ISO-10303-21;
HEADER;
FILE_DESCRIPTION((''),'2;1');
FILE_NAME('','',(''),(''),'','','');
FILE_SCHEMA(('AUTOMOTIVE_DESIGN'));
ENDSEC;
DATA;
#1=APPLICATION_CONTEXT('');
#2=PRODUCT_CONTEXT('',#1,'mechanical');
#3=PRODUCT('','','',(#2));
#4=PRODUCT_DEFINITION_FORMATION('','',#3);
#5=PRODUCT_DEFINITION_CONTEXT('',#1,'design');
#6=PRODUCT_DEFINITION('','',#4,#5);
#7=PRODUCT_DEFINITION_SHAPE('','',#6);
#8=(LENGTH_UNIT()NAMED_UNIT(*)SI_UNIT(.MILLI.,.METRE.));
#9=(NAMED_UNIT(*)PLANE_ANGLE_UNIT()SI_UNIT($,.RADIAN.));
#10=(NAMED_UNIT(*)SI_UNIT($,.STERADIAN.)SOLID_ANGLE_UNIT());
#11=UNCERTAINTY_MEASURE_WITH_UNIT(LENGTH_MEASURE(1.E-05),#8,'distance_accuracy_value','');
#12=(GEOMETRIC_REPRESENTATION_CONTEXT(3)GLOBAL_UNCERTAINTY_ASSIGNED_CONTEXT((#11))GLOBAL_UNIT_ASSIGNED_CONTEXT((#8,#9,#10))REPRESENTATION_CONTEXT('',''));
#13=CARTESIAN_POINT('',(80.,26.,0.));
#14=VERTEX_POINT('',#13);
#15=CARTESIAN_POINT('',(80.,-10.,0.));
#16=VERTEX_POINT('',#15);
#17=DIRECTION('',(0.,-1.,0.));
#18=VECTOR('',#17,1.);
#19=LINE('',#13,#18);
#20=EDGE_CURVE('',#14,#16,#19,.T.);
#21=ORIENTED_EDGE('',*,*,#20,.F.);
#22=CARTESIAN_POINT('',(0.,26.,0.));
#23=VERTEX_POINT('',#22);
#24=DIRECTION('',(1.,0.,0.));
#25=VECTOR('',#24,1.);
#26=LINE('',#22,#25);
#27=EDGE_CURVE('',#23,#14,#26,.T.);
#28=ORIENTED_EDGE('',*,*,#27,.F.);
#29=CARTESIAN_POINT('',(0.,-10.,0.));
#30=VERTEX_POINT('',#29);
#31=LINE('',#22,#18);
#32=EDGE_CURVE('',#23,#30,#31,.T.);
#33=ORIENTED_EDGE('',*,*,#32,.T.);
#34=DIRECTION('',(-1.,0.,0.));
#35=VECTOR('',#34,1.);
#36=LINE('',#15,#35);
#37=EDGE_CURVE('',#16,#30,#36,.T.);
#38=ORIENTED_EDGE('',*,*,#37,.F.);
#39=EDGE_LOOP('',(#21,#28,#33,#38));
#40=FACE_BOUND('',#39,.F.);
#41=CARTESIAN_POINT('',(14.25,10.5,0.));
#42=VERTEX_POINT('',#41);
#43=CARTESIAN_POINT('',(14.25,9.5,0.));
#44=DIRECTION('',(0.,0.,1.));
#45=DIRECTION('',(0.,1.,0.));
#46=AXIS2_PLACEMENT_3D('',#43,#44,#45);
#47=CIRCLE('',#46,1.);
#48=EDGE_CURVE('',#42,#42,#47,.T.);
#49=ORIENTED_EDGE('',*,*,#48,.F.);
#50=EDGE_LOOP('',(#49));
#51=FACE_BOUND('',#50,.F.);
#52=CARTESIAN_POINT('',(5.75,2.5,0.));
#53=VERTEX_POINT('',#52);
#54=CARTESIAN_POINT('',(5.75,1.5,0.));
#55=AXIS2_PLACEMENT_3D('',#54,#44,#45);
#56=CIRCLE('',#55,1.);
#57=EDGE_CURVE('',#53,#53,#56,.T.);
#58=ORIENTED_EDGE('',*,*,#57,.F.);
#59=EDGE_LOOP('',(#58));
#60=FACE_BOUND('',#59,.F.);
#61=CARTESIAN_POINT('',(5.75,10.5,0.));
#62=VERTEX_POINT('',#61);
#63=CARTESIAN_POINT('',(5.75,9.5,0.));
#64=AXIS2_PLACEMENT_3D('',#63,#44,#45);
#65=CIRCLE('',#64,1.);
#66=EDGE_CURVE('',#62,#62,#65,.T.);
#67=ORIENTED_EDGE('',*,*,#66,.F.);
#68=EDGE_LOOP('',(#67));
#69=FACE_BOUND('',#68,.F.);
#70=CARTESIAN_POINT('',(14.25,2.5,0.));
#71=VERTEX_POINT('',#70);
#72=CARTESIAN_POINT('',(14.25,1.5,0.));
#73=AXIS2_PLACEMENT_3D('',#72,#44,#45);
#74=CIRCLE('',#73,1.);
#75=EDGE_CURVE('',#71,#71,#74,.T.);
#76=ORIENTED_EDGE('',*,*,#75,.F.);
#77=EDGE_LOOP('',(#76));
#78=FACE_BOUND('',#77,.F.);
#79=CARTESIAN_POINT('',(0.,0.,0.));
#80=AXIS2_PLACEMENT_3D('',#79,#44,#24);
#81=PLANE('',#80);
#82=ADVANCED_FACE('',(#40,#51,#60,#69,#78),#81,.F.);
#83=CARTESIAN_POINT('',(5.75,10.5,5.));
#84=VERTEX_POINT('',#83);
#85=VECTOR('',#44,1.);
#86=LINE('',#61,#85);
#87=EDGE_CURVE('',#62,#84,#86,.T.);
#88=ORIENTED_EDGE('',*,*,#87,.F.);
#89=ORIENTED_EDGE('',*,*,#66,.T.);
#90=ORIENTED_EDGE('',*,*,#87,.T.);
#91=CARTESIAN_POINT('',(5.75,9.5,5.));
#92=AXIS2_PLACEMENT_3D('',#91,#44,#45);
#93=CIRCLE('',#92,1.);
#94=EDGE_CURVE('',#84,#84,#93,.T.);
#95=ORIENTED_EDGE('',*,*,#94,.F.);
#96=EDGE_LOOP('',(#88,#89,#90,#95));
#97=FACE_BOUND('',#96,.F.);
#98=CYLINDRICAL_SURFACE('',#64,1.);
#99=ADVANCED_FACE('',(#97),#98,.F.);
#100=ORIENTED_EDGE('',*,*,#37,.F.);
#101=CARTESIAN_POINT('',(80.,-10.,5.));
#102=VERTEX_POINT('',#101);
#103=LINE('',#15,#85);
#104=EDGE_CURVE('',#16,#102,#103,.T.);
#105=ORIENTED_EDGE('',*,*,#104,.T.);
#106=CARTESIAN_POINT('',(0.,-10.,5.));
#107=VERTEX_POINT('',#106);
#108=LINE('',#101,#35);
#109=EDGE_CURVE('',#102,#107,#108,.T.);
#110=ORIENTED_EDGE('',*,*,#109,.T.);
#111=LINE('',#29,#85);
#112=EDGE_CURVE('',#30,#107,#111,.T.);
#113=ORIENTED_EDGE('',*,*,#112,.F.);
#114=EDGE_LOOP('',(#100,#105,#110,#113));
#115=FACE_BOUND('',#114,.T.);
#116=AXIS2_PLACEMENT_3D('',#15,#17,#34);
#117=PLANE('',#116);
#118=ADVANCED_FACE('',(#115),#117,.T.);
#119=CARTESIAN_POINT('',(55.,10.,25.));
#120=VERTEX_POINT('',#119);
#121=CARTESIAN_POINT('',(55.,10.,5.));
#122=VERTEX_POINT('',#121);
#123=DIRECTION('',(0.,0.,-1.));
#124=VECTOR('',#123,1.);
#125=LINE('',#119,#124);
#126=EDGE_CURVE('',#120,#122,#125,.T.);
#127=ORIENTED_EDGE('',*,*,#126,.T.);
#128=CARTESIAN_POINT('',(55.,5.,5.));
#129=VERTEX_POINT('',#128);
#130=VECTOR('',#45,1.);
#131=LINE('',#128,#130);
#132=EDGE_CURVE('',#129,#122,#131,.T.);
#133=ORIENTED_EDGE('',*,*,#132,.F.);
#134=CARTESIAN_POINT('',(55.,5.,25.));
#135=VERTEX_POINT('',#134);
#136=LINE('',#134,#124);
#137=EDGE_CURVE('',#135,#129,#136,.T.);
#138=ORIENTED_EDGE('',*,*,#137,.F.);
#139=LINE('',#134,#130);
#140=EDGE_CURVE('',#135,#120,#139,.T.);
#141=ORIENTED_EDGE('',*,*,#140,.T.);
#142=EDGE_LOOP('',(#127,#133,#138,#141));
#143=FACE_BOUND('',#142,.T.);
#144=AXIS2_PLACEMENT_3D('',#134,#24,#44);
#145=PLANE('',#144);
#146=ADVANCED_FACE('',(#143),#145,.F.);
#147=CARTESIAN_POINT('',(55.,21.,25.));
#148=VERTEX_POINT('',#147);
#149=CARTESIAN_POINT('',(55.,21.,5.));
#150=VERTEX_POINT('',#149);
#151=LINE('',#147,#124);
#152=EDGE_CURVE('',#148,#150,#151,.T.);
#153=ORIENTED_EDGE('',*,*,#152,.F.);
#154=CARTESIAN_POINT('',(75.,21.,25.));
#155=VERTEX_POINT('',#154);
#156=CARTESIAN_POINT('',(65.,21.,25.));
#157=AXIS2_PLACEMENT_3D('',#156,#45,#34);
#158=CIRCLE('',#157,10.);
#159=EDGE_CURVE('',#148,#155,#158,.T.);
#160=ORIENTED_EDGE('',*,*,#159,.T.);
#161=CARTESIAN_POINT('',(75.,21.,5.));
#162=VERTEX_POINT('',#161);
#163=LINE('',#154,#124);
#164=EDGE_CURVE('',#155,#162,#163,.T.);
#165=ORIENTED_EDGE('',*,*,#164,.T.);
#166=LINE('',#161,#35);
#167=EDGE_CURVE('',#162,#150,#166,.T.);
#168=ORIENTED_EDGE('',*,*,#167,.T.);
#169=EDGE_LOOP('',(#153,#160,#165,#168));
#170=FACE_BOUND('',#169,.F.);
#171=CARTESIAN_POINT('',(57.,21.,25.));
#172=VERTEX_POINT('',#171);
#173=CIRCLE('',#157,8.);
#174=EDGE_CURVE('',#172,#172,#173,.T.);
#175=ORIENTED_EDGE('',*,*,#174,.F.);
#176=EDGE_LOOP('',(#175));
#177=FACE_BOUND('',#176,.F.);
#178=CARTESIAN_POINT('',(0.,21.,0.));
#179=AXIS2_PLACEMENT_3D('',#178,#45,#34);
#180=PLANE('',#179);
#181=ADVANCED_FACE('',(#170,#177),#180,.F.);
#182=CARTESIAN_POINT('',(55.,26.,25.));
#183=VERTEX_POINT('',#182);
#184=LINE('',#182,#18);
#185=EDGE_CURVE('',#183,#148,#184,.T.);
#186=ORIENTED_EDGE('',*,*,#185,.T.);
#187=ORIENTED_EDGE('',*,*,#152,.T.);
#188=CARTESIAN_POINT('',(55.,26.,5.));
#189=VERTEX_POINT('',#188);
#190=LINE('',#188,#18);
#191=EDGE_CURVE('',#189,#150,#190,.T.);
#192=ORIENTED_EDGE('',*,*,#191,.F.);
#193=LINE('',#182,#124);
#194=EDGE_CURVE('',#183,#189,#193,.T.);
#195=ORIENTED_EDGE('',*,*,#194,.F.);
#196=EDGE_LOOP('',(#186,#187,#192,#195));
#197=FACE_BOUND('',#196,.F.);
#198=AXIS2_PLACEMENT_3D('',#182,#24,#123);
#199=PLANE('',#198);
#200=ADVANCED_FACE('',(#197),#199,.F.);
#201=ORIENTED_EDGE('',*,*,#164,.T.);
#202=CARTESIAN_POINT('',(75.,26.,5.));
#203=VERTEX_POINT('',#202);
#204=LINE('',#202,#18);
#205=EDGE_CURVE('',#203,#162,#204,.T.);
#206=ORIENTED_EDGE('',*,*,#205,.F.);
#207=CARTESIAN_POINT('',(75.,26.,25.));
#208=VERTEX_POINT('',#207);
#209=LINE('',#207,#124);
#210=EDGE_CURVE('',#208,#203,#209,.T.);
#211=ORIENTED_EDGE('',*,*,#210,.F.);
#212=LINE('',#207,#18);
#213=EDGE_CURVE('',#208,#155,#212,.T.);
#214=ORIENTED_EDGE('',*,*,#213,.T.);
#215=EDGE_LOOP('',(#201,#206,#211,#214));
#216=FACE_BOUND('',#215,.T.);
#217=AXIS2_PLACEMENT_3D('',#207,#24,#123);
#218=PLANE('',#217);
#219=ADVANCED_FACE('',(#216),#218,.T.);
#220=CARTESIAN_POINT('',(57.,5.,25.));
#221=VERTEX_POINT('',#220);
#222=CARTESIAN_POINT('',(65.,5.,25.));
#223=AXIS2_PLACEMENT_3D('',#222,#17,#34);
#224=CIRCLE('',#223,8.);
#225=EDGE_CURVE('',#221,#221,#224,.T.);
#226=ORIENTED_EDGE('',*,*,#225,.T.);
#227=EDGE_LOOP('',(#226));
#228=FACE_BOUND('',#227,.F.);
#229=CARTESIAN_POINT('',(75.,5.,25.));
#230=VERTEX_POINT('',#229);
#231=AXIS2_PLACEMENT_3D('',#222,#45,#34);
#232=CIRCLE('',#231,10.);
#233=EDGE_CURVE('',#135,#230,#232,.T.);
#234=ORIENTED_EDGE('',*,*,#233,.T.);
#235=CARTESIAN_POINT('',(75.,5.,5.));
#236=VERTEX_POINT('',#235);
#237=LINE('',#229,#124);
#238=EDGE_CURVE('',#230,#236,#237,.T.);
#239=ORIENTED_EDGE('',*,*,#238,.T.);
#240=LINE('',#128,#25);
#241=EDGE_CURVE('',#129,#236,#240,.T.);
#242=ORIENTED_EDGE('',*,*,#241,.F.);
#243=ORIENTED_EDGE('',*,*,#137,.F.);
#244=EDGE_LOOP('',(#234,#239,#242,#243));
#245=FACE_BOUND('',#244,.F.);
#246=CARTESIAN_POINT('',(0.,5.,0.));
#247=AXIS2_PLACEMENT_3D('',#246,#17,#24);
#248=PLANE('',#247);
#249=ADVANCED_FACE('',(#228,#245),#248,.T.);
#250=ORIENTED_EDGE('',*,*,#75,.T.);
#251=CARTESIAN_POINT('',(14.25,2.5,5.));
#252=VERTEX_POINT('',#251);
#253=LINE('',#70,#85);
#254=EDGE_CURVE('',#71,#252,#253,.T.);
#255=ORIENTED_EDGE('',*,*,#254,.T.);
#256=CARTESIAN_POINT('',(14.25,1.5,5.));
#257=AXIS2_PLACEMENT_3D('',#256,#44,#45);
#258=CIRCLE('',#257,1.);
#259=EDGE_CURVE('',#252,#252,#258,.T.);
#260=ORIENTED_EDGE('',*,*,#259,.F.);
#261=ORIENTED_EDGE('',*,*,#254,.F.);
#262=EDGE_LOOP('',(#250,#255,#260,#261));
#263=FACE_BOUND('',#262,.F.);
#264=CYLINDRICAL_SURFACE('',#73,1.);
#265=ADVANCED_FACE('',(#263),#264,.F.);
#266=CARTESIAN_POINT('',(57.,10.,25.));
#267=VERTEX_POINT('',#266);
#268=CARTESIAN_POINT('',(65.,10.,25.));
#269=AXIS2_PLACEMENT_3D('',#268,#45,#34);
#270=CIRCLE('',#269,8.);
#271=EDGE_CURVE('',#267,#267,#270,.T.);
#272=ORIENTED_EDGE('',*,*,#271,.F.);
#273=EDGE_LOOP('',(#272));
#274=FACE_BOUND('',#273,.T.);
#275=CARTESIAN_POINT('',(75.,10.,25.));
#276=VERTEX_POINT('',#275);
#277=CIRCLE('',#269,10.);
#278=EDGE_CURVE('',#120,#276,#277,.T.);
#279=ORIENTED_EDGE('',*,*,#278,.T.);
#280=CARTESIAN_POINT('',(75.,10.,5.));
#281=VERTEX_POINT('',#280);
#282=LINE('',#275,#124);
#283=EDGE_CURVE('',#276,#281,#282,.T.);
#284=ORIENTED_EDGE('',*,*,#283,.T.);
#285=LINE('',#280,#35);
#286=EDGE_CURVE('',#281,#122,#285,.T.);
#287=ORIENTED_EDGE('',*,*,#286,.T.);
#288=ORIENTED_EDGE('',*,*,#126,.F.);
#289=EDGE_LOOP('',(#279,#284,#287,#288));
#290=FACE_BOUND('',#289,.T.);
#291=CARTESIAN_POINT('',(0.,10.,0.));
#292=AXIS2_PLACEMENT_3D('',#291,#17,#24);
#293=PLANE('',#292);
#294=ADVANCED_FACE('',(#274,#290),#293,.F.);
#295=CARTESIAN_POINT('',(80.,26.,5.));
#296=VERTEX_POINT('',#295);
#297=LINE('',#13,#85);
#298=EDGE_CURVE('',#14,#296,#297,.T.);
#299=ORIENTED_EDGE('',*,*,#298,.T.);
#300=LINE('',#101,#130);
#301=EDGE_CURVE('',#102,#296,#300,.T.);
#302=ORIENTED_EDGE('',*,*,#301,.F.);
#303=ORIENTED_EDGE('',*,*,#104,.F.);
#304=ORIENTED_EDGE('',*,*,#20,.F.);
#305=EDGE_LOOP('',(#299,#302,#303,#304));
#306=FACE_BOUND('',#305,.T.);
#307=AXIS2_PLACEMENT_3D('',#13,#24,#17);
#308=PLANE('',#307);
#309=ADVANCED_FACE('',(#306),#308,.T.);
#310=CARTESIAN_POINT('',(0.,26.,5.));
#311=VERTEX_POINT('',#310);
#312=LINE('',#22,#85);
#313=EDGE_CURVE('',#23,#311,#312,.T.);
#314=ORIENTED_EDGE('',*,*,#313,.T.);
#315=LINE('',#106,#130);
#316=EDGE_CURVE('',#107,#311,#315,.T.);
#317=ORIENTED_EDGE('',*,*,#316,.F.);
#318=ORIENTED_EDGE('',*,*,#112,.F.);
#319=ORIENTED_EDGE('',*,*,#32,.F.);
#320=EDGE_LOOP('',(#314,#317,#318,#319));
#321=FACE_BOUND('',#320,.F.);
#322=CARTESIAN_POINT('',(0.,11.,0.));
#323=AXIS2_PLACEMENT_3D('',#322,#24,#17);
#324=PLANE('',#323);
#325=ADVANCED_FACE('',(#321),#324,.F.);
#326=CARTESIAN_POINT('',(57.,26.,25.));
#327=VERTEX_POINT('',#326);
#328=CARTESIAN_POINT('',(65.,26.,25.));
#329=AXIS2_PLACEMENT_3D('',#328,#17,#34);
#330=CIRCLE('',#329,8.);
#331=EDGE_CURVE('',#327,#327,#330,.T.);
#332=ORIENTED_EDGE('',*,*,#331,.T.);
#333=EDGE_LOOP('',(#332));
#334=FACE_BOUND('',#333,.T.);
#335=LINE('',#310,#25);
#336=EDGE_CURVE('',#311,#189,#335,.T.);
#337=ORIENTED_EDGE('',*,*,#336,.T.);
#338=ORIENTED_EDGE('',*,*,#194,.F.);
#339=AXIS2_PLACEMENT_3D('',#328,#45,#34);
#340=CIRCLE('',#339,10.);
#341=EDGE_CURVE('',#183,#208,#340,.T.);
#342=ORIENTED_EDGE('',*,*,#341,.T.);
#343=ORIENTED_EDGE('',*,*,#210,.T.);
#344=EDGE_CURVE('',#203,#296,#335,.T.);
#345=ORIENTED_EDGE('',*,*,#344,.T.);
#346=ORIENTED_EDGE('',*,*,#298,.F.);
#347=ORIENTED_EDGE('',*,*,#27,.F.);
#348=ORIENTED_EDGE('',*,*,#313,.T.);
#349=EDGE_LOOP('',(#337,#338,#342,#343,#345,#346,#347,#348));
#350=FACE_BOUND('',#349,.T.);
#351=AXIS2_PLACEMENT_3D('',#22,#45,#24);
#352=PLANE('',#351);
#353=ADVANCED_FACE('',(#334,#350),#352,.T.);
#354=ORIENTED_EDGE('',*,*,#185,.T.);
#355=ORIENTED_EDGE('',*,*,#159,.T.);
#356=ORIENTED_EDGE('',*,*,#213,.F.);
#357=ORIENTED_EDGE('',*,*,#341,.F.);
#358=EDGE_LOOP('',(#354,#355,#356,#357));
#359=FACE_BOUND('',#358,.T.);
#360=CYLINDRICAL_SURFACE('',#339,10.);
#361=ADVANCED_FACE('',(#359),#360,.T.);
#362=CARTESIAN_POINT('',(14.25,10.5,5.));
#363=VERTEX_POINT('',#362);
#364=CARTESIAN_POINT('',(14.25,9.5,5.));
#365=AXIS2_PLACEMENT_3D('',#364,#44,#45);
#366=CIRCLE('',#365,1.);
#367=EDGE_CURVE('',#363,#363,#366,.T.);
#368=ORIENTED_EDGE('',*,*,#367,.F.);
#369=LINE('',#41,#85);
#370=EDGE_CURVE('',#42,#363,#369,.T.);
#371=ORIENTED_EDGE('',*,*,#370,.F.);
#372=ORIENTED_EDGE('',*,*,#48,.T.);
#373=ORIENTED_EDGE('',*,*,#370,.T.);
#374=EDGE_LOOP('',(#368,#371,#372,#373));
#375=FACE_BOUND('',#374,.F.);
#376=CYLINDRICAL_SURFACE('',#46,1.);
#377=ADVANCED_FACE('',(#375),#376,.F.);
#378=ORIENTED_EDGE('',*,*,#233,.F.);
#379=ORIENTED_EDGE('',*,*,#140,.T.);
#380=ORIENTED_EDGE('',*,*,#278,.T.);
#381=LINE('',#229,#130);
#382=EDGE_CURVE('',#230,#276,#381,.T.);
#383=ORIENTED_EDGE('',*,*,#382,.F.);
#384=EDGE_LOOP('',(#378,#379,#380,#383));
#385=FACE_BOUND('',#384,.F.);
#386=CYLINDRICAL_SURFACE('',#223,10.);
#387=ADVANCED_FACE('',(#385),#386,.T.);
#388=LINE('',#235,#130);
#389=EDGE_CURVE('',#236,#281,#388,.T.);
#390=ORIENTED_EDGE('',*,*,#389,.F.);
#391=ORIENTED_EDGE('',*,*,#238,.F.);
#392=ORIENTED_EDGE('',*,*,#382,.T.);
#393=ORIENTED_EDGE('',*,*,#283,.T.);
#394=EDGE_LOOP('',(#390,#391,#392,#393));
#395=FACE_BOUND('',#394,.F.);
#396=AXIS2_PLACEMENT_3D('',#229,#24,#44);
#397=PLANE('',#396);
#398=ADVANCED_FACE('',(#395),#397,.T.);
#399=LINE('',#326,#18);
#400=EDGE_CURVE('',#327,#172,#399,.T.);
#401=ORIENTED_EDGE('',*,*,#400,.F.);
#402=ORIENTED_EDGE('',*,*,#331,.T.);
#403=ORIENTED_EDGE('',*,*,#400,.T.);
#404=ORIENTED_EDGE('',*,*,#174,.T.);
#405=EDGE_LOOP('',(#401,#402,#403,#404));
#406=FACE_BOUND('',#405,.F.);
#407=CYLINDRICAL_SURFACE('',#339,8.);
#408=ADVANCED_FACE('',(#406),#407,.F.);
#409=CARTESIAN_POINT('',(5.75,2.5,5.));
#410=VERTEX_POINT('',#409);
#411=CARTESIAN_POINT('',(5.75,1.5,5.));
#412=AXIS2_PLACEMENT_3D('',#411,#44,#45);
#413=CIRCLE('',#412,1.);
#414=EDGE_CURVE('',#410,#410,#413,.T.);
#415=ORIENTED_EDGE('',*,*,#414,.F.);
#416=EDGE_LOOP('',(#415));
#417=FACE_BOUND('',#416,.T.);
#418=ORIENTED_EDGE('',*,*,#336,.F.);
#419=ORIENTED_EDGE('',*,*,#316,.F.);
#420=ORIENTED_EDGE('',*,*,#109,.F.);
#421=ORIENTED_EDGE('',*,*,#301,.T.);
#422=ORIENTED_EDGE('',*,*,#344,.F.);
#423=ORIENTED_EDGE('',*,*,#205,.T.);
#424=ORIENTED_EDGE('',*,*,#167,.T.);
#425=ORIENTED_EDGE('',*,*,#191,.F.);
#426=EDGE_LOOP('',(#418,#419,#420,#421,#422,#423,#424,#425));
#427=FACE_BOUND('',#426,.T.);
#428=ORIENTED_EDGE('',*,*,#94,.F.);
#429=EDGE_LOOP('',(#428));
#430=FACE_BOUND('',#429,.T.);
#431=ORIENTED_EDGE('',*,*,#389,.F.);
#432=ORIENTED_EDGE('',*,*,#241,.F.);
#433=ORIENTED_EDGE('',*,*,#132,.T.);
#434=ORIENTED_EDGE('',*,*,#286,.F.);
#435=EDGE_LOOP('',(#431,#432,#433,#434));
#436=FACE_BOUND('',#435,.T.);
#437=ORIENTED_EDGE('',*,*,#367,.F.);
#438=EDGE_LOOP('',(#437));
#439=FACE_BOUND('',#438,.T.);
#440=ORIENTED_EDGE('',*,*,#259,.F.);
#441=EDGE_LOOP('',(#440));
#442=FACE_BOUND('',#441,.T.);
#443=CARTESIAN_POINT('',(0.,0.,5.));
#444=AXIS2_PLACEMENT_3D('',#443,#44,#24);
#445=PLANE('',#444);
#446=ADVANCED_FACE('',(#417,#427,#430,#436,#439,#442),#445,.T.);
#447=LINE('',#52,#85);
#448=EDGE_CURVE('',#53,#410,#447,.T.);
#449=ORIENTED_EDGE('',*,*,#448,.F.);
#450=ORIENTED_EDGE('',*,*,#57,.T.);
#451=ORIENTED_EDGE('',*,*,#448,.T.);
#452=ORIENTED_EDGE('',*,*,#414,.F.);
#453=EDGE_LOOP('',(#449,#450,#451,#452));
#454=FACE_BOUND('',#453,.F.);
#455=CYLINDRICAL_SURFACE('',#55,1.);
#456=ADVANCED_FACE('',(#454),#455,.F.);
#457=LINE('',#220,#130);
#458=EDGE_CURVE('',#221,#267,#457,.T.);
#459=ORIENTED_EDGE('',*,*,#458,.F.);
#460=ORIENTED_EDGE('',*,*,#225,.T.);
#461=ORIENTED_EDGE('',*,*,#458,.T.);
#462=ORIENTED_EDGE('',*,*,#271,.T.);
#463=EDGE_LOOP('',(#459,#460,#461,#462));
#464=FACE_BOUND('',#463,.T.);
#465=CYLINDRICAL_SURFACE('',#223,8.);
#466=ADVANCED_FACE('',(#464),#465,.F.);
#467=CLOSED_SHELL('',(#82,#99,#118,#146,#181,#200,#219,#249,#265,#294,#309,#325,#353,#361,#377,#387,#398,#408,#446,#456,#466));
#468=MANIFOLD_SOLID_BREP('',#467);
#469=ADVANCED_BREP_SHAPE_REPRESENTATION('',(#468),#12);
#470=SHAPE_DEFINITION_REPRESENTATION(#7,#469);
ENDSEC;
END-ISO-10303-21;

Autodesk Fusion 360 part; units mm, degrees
sketch "Sketch1" plane through (0, 0, 0) normal (0, 0, 1) x (1, 0, 0)
  line L0 (0, 0) -> (20, 0)
  line L1 (20, 0) -> (20, 11)
  line L2 (20, 11) -> (0, 11)
  line L3 (0, 11) -> (0, 0)
  line L4 (0, 0) -> (80, 0)
  line L5 (0, 11) -> (0, 26)
  line L6 (0, 26) -> (80, 26)
  line L7 (80, 26) -> (80, 0)
  line L8 (80, 0) -> (0, 0)
  line L9 (0, 0) -> (0, 26)
  line L10 (80, 0) -> (80, -10)
  line L11 (80, -10) -> (0, -10)
  line L12 (0, -10) -> (0, 0)
  point P0 (5.75, 9.5)
  point P1 (14.25, 9.5)
  point P2 (14.25, 1.5)
  point P3 (5.75, 1.5)
  dimension "d1" = 20
  dimension "d2" = 11
  dimension "d3" = 1.5
  dimension "d4" = 1.5
  dimension "d5" = 8.5
  dimension "d6" = 5.75
  dimension "d7" = 80
  dimension "d8" = 15
  dimension "d19" = 10
extrude "Extrude1" add sketch "Sketch1" along normal blind 5
hole "Hole1" at (14.25, 1.5, 0) direction (0, 0, 1) diameter 2 end through all
pattern_linear "R-Pattern1" count 2 spacing 8.5 along (-1, 0, 0) count 2 spacing 8 along (0, 1, 0) of "Hole1"
sketch "Sketch2" plane through (0, 26, 0) normal (0, 1, 0) x (-1, 0, 0)
  line L0 (-80, 0) -> (0, 0)
  line L1 (0, 0) -> (0, 5)
  line L2 (0, 5) -> (-80, 5)
  line L3 (-80, 5) -> (-80, 0)
  circle A0 centre (-65, 25) radius 8
  line L4 (-73, 25) -> (-73, 5)
  line L5 (-57, 25) -> (-57, 5)
  line L6 (-57, 5) -> (-73, 5)
  circle A1 centre (-65, 25) radius 10
  line L7 (-75, 25) -> (-75, 5)
  line L8 (-55, 25) -> (-55, 5)
  dimension "d24" = 16
  dimension "d25" = 7
  dimension "d27" = 20
  dimension "d28" = 2
  dimension "d29" = 2
  dimension "d30" = -2
extrude "Extrude2" add sketch "Sketch2" against normal blind 5 contours L2 L4 A1 L7 | L2 L5 A1 L8 | L2 L4 L5 L6 A1 | A0 L4 L5 A1 | A0 L4 L5 A1
ref_plane "WorkPlane2" through (65, 15.5, 20) normal (0, -1, 0) x (1, 0, 0)
mirror "Mirror1" about plane through (65, 15.5, 20) normal (0, -1, 0) of "Extrude2"
equation "d33 = ( 11 / 2 ) * 1 mm"
